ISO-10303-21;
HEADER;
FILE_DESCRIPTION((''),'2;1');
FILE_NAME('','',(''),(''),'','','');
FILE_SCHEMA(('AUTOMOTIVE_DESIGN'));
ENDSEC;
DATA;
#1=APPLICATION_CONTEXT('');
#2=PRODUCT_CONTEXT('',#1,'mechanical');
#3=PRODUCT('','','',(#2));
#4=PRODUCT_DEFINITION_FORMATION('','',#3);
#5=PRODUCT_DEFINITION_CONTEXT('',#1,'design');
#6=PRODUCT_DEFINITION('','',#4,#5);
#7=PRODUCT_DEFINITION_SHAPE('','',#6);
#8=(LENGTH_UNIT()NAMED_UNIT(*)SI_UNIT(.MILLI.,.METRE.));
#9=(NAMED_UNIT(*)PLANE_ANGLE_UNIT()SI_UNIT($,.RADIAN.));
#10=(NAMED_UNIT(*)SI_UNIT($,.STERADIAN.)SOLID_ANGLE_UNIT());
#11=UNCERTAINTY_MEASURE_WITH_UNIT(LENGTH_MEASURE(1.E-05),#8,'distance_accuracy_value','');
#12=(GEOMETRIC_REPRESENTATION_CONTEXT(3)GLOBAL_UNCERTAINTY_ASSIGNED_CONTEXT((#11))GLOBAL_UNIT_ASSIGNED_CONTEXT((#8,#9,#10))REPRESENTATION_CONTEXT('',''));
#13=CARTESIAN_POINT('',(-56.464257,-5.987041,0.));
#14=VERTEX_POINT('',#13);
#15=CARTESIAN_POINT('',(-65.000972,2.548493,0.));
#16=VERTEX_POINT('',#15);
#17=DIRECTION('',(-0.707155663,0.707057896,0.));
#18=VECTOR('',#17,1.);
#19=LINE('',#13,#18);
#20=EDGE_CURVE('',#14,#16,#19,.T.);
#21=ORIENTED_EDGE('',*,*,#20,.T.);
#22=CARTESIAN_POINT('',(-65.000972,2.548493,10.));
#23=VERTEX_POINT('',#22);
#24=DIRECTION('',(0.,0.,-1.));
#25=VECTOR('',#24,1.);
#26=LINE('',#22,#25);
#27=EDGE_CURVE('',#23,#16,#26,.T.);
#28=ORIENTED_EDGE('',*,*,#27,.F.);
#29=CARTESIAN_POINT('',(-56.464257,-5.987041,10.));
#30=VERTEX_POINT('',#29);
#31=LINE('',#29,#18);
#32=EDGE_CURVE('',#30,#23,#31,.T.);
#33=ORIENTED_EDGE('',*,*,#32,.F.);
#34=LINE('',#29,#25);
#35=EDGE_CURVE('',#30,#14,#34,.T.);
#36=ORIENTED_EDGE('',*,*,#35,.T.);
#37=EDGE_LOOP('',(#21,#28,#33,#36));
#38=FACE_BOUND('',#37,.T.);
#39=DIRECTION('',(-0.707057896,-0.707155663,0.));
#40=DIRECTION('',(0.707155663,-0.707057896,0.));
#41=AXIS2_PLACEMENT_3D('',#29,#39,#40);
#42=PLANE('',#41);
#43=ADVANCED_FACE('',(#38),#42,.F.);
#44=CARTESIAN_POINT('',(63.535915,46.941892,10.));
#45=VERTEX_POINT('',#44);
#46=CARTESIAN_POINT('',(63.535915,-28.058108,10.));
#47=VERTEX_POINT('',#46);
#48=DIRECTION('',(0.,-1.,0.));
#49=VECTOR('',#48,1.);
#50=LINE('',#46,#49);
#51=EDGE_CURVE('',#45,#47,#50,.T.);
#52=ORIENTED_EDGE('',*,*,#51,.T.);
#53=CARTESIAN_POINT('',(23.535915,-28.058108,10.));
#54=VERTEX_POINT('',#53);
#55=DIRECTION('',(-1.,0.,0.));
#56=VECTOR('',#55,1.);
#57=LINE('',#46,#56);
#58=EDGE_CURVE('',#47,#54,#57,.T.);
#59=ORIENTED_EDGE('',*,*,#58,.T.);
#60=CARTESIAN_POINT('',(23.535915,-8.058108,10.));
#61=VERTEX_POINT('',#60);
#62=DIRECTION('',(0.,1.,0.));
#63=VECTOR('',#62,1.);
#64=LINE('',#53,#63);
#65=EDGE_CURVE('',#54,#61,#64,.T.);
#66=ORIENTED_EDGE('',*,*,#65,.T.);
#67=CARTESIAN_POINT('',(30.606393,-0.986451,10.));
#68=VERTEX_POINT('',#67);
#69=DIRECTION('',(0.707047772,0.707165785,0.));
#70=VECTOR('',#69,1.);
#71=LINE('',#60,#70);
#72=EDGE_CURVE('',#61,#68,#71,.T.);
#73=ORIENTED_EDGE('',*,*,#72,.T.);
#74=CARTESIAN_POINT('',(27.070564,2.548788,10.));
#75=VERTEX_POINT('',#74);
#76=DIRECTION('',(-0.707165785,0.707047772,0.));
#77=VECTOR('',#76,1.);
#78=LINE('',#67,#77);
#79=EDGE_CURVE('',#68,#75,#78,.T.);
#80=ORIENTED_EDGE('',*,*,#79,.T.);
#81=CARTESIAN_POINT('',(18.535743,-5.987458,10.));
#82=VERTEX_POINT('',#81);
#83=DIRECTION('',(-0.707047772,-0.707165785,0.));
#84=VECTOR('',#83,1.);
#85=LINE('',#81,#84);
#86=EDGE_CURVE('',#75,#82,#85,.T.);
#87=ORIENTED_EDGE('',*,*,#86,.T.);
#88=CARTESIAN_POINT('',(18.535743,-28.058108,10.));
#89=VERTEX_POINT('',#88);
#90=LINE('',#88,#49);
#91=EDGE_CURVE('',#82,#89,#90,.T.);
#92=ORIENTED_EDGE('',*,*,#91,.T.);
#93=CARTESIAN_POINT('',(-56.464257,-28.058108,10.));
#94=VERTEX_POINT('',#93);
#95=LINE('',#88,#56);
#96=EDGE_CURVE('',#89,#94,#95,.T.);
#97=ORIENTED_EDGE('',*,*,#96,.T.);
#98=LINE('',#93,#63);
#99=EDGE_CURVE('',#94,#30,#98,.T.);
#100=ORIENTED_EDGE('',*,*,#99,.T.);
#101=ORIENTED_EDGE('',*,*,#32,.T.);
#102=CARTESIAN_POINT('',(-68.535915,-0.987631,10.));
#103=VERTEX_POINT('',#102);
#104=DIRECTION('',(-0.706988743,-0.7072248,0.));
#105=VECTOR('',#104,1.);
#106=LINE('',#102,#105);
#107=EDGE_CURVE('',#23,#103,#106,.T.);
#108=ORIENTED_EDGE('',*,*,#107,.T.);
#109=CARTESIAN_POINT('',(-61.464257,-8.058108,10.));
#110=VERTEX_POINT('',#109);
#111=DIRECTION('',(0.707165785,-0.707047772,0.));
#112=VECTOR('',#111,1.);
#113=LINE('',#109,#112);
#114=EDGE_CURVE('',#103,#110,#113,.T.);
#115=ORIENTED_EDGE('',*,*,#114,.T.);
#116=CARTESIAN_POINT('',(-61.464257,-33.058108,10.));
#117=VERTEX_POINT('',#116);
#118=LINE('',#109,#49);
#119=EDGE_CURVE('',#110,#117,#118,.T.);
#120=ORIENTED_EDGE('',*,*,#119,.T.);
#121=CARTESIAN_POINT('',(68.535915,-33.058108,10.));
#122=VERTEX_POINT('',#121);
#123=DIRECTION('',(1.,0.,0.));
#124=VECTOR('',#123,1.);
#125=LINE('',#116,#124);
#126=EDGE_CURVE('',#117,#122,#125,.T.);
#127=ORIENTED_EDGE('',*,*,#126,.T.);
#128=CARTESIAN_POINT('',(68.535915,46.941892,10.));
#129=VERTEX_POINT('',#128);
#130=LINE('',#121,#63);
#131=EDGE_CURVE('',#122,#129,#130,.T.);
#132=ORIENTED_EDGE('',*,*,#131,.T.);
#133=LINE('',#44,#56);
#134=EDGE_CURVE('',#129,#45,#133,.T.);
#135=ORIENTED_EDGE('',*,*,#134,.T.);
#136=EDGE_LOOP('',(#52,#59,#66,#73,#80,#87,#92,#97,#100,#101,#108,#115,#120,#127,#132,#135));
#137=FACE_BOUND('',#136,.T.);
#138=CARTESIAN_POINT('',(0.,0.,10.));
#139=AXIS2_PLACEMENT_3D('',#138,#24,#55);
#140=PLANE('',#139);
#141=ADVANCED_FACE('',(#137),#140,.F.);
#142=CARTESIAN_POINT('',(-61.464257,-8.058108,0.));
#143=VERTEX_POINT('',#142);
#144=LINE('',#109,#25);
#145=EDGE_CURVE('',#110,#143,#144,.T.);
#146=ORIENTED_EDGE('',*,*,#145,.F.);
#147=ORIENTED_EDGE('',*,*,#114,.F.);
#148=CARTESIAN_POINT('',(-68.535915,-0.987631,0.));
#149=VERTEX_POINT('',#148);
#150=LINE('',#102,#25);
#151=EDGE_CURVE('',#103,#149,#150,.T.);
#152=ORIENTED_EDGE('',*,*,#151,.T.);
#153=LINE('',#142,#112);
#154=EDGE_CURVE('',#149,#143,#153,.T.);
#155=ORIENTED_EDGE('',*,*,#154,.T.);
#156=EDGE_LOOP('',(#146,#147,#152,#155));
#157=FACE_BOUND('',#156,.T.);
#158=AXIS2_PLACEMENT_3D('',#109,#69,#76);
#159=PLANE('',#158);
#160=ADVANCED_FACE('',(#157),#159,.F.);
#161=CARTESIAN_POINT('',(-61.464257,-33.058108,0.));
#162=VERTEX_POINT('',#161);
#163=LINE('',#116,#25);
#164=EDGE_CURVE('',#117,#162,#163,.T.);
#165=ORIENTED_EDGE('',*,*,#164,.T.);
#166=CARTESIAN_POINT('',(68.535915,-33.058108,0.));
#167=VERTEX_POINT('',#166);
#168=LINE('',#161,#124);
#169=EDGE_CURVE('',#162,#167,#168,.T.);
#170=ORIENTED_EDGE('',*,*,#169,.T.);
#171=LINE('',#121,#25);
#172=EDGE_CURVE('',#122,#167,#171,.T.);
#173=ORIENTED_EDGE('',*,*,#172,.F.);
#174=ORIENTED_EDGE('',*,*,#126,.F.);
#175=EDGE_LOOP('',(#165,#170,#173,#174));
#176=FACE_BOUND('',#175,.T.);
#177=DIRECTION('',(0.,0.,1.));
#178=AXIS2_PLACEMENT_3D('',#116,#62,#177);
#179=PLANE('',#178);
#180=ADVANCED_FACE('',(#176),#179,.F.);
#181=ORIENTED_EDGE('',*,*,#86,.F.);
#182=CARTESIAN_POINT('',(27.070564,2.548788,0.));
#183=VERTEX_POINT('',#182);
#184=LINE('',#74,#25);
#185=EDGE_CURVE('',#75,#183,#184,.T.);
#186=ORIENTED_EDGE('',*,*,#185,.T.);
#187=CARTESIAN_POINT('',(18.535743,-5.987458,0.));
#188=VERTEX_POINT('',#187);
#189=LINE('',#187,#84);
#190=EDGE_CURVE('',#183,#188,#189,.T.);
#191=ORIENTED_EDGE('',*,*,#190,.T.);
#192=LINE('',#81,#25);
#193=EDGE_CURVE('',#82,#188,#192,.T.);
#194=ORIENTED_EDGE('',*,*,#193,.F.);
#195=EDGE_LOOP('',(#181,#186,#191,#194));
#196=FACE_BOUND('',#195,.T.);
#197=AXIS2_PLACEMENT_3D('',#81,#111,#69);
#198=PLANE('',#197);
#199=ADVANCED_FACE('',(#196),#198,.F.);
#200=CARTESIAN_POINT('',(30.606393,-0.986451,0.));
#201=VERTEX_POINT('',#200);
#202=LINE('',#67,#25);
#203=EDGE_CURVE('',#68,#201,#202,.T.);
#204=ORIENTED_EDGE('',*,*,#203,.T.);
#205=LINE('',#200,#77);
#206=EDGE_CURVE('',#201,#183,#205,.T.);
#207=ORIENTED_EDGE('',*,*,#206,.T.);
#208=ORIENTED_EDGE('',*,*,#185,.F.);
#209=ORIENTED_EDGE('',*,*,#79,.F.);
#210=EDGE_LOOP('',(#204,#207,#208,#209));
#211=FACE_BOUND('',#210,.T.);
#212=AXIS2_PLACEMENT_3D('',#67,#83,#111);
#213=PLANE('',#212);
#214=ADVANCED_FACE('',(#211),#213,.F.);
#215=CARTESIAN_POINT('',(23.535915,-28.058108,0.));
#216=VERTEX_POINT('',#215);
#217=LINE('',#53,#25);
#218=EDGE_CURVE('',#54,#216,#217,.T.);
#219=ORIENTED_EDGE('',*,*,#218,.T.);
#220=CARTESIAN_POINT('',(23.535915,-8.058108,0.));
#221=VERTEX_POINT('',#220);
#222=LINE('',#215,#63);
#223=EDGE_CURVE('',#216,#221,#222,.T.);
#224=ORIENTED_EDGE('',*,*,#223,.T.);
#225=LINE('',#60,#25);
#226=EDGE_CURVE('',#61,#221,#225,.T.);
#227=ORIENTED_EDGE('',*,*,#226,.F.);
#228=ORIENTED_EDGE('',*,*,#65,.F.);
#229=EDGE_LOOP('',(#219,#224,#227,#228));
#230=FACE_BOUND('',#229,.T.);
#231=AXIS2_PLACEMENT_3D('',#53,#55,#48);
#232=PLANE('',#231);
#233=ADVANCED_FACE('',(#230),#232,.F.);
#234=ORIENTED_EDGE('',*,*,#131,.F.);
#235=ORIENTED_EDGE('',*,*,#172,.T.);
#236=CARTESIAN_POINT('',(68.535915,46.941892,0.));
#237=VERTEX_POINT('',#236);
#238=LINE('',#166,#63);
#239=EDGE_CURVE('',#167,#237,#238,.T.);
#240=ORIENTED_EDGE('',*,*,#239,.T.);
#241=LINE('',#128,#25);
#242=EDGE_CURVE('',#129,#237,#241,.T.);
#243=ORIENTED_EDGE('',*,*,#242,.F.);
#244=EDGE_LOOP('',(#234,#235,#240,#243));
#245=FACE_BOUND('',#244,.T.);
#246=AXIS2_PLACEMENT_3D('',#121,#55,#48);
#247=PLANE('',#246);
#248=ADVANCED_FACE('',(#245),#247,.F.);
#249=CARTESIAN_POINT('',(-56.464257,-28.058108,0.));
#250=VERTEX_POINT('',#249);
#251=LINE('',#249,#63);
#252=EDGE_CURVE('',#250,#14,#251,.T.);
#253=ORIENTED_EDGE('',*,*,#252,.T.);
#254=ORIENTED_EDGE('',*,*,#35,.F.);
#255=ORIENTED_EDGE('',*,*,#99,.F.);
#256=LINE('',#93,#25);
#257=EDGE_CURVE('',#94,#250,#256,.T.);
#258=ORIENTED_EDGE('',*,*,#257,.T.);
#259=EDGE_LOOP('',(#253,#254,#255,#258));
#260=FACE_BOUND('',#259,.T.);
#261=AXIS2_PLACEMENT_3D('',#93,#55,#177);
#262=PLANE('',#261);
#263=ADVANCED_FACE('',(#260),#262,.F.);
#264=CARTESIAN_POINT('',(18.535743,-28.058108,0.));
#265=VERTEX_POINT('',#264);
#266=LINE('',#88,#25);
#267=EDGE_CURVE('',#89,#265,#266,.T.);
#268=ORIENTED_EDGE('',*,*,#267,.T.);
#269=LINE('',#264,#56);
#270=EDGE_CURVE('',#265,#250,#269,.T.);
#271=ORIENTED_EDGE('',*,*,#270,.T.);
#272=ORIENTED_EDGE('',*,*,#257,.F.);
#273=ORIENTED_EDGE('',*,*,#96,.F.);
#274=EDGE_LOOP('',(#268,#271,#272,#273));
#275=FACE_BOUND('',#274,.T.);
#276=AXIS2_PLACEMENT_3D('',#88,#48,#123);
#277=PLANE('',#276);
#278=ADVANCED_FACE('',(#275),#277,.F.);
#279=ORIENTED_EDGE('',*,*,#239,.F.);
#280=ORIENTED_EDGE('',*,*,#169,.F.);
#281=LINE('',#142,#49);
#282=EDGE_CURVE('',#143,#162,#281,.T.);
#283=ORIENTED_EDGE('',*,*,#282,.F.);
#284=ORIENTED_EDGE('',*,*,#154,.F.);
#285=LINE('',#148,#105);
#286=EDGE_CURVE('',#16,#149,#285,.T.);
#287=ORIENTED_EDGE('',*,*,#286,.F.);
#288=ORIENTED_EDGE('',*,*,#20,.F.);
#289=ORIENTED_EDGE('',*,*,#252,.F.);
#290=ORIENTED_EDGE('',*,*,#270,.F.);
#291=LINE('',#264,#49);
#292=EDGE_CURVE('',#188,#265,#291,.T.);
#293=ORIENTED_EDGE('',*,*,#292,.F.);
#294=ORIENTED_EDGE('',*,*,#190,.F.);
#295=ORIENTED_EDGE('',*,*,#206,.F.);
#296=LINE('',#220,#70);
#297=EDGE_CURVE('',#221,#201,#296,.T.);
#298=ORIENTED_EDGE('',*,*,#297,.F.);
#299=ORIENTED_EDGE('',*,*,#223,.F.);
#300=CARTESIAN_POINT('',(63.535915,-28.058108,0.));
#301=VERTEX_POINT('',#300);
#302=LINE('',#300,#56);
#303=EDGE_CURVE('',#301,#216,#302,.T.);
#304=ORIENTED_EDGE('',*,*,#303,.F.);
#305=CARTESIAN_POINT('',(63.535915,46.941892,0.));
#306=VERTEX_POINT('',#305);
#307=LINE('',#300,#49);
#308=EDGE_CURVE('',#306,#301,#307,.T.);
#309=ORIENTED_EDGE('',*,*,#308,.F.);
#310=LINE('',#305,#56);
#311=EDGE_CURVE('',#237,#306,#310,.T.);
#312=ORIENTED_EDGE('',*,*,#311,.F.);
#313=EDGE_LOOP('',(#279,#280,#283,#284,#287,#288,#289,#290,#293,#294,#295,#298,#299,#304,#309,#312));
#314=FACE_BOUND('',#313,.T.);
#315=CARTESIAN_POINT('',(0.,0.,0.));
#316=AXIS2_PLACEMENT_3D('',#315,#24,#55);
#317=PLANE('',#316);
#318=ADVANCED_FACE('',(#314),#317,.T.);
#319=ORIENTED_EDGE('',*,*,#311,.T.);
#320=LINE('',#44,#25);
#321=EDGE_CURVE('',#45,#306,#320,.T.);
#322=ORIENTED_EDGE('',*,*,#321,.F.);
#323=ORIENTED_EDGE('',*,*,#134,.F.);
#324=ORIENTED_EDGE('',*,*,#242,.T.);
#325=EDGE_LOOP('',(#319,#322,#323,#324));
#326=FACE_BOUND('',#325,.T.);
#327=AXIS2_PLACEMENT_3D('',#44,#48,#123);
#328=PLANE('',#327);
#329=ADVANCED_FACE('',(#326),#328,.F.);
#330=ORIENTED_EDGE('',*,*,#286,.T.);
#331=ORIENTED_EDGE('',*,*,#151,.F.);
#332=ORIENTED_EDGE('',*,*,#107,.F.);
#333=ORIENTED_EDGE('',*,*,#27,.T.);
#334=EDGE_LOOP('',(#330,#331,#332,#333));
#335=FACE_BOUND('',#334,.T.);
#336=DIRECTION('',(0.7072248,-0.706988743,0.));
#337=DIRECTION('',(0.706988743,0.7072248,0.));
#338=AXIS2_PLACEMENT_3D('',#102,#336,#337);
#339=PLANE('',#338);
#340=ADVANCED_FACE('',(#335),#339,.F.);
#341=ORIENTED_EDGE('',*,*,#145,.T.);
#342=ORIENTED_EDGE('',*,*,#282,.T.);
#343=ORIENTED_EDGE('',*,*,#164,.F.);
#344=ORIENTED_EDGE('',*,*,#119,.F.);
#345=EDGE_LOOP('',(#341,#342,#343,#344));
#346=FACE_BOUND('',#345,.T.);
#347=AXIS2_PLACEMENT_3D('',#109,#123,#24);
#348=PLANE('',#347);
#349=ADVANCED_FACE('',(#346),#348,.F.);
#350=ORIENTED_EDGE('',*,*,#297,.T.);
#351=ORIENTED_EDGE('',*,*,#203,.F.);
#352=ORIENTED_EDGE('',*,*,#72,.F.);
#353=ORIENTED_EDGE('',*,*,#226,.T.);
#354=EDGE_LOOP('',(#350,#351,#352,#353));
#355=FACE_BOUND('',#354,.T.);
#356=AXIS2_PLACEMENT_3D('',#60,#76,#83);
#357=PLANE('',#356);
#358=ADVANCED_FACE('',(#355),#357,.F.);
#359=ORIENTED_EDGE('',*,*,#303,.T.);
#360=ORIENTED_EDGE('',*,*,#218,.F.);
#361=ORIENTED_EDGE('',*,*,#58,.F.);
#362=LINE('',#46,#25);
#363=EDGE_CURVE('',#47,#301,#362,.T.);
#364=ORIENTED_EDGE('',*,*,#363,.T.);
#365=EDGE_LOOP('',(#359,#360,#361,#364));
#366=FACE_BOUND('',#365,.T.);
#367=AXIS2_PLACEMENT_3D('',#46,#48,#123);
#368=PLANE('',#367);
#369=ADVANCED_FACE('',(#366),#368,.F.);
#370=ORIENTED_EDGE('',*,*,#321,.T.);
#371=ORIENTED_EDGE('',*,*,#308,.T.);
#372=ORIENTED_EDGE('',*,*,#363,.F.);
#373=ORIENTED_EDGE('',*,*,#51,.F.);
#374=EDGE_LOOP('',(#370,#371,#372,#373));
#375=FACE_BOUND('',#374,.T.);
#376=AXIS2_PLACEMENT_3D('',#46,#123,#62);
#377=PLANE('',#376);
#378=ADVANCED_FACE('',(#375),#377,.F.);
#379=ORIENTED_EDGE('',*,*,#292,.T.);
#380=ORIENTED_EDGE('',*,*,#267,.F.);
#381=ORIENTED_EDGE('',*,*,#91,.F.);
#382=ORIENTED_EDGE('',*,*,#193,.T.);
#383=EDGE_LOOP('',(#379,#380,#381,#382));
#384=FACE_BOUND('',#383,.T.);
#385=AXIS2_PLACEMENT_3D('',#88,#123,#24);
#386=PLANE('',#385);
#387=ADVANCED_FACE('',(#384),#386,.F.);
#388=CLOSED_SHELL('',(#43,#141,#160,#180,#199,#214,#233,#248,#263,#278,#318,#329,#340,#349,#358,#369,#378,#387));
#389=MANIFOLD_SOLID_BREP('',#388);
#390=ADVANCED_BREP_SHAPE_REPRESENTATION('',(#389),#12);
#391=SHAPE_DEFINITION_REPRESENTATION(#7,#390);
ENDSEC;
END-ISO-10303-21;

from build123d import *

# Parameters (mm, degrees)
BOSS_EXTRUDE4_DEPTH = 10


with BuildPart() as part:
    # Sketch6 → Boss-Extrude4 (new body)
    with BuildSketch(Plane.XY):
        Polygon((-61.464257477, -8.058108378), (-61.464257477, -33.058108378), (68.535915332, -33.058108378), (68.535915332, 46.941891622), (63.535915332, 46.941891622), (63.535915332, -28.058108378), (23.535915332, -28.058108378), (23.535915332, -8.058108378), (30.606393052, -0.986450524), (27.070564124, 2.548788336), (18.535742523, -5.987457815), (18.535742523, -28.058108378), (-56.464257477, -28.058108378), (-56.464257477, -5.987040567), (-65.000971617, 2.548493339), (-68.535915332, -0.987630659), align=None)
    extrude(amount=BOSS_EXTRUDE4_DEPTH)


solid = part.part
